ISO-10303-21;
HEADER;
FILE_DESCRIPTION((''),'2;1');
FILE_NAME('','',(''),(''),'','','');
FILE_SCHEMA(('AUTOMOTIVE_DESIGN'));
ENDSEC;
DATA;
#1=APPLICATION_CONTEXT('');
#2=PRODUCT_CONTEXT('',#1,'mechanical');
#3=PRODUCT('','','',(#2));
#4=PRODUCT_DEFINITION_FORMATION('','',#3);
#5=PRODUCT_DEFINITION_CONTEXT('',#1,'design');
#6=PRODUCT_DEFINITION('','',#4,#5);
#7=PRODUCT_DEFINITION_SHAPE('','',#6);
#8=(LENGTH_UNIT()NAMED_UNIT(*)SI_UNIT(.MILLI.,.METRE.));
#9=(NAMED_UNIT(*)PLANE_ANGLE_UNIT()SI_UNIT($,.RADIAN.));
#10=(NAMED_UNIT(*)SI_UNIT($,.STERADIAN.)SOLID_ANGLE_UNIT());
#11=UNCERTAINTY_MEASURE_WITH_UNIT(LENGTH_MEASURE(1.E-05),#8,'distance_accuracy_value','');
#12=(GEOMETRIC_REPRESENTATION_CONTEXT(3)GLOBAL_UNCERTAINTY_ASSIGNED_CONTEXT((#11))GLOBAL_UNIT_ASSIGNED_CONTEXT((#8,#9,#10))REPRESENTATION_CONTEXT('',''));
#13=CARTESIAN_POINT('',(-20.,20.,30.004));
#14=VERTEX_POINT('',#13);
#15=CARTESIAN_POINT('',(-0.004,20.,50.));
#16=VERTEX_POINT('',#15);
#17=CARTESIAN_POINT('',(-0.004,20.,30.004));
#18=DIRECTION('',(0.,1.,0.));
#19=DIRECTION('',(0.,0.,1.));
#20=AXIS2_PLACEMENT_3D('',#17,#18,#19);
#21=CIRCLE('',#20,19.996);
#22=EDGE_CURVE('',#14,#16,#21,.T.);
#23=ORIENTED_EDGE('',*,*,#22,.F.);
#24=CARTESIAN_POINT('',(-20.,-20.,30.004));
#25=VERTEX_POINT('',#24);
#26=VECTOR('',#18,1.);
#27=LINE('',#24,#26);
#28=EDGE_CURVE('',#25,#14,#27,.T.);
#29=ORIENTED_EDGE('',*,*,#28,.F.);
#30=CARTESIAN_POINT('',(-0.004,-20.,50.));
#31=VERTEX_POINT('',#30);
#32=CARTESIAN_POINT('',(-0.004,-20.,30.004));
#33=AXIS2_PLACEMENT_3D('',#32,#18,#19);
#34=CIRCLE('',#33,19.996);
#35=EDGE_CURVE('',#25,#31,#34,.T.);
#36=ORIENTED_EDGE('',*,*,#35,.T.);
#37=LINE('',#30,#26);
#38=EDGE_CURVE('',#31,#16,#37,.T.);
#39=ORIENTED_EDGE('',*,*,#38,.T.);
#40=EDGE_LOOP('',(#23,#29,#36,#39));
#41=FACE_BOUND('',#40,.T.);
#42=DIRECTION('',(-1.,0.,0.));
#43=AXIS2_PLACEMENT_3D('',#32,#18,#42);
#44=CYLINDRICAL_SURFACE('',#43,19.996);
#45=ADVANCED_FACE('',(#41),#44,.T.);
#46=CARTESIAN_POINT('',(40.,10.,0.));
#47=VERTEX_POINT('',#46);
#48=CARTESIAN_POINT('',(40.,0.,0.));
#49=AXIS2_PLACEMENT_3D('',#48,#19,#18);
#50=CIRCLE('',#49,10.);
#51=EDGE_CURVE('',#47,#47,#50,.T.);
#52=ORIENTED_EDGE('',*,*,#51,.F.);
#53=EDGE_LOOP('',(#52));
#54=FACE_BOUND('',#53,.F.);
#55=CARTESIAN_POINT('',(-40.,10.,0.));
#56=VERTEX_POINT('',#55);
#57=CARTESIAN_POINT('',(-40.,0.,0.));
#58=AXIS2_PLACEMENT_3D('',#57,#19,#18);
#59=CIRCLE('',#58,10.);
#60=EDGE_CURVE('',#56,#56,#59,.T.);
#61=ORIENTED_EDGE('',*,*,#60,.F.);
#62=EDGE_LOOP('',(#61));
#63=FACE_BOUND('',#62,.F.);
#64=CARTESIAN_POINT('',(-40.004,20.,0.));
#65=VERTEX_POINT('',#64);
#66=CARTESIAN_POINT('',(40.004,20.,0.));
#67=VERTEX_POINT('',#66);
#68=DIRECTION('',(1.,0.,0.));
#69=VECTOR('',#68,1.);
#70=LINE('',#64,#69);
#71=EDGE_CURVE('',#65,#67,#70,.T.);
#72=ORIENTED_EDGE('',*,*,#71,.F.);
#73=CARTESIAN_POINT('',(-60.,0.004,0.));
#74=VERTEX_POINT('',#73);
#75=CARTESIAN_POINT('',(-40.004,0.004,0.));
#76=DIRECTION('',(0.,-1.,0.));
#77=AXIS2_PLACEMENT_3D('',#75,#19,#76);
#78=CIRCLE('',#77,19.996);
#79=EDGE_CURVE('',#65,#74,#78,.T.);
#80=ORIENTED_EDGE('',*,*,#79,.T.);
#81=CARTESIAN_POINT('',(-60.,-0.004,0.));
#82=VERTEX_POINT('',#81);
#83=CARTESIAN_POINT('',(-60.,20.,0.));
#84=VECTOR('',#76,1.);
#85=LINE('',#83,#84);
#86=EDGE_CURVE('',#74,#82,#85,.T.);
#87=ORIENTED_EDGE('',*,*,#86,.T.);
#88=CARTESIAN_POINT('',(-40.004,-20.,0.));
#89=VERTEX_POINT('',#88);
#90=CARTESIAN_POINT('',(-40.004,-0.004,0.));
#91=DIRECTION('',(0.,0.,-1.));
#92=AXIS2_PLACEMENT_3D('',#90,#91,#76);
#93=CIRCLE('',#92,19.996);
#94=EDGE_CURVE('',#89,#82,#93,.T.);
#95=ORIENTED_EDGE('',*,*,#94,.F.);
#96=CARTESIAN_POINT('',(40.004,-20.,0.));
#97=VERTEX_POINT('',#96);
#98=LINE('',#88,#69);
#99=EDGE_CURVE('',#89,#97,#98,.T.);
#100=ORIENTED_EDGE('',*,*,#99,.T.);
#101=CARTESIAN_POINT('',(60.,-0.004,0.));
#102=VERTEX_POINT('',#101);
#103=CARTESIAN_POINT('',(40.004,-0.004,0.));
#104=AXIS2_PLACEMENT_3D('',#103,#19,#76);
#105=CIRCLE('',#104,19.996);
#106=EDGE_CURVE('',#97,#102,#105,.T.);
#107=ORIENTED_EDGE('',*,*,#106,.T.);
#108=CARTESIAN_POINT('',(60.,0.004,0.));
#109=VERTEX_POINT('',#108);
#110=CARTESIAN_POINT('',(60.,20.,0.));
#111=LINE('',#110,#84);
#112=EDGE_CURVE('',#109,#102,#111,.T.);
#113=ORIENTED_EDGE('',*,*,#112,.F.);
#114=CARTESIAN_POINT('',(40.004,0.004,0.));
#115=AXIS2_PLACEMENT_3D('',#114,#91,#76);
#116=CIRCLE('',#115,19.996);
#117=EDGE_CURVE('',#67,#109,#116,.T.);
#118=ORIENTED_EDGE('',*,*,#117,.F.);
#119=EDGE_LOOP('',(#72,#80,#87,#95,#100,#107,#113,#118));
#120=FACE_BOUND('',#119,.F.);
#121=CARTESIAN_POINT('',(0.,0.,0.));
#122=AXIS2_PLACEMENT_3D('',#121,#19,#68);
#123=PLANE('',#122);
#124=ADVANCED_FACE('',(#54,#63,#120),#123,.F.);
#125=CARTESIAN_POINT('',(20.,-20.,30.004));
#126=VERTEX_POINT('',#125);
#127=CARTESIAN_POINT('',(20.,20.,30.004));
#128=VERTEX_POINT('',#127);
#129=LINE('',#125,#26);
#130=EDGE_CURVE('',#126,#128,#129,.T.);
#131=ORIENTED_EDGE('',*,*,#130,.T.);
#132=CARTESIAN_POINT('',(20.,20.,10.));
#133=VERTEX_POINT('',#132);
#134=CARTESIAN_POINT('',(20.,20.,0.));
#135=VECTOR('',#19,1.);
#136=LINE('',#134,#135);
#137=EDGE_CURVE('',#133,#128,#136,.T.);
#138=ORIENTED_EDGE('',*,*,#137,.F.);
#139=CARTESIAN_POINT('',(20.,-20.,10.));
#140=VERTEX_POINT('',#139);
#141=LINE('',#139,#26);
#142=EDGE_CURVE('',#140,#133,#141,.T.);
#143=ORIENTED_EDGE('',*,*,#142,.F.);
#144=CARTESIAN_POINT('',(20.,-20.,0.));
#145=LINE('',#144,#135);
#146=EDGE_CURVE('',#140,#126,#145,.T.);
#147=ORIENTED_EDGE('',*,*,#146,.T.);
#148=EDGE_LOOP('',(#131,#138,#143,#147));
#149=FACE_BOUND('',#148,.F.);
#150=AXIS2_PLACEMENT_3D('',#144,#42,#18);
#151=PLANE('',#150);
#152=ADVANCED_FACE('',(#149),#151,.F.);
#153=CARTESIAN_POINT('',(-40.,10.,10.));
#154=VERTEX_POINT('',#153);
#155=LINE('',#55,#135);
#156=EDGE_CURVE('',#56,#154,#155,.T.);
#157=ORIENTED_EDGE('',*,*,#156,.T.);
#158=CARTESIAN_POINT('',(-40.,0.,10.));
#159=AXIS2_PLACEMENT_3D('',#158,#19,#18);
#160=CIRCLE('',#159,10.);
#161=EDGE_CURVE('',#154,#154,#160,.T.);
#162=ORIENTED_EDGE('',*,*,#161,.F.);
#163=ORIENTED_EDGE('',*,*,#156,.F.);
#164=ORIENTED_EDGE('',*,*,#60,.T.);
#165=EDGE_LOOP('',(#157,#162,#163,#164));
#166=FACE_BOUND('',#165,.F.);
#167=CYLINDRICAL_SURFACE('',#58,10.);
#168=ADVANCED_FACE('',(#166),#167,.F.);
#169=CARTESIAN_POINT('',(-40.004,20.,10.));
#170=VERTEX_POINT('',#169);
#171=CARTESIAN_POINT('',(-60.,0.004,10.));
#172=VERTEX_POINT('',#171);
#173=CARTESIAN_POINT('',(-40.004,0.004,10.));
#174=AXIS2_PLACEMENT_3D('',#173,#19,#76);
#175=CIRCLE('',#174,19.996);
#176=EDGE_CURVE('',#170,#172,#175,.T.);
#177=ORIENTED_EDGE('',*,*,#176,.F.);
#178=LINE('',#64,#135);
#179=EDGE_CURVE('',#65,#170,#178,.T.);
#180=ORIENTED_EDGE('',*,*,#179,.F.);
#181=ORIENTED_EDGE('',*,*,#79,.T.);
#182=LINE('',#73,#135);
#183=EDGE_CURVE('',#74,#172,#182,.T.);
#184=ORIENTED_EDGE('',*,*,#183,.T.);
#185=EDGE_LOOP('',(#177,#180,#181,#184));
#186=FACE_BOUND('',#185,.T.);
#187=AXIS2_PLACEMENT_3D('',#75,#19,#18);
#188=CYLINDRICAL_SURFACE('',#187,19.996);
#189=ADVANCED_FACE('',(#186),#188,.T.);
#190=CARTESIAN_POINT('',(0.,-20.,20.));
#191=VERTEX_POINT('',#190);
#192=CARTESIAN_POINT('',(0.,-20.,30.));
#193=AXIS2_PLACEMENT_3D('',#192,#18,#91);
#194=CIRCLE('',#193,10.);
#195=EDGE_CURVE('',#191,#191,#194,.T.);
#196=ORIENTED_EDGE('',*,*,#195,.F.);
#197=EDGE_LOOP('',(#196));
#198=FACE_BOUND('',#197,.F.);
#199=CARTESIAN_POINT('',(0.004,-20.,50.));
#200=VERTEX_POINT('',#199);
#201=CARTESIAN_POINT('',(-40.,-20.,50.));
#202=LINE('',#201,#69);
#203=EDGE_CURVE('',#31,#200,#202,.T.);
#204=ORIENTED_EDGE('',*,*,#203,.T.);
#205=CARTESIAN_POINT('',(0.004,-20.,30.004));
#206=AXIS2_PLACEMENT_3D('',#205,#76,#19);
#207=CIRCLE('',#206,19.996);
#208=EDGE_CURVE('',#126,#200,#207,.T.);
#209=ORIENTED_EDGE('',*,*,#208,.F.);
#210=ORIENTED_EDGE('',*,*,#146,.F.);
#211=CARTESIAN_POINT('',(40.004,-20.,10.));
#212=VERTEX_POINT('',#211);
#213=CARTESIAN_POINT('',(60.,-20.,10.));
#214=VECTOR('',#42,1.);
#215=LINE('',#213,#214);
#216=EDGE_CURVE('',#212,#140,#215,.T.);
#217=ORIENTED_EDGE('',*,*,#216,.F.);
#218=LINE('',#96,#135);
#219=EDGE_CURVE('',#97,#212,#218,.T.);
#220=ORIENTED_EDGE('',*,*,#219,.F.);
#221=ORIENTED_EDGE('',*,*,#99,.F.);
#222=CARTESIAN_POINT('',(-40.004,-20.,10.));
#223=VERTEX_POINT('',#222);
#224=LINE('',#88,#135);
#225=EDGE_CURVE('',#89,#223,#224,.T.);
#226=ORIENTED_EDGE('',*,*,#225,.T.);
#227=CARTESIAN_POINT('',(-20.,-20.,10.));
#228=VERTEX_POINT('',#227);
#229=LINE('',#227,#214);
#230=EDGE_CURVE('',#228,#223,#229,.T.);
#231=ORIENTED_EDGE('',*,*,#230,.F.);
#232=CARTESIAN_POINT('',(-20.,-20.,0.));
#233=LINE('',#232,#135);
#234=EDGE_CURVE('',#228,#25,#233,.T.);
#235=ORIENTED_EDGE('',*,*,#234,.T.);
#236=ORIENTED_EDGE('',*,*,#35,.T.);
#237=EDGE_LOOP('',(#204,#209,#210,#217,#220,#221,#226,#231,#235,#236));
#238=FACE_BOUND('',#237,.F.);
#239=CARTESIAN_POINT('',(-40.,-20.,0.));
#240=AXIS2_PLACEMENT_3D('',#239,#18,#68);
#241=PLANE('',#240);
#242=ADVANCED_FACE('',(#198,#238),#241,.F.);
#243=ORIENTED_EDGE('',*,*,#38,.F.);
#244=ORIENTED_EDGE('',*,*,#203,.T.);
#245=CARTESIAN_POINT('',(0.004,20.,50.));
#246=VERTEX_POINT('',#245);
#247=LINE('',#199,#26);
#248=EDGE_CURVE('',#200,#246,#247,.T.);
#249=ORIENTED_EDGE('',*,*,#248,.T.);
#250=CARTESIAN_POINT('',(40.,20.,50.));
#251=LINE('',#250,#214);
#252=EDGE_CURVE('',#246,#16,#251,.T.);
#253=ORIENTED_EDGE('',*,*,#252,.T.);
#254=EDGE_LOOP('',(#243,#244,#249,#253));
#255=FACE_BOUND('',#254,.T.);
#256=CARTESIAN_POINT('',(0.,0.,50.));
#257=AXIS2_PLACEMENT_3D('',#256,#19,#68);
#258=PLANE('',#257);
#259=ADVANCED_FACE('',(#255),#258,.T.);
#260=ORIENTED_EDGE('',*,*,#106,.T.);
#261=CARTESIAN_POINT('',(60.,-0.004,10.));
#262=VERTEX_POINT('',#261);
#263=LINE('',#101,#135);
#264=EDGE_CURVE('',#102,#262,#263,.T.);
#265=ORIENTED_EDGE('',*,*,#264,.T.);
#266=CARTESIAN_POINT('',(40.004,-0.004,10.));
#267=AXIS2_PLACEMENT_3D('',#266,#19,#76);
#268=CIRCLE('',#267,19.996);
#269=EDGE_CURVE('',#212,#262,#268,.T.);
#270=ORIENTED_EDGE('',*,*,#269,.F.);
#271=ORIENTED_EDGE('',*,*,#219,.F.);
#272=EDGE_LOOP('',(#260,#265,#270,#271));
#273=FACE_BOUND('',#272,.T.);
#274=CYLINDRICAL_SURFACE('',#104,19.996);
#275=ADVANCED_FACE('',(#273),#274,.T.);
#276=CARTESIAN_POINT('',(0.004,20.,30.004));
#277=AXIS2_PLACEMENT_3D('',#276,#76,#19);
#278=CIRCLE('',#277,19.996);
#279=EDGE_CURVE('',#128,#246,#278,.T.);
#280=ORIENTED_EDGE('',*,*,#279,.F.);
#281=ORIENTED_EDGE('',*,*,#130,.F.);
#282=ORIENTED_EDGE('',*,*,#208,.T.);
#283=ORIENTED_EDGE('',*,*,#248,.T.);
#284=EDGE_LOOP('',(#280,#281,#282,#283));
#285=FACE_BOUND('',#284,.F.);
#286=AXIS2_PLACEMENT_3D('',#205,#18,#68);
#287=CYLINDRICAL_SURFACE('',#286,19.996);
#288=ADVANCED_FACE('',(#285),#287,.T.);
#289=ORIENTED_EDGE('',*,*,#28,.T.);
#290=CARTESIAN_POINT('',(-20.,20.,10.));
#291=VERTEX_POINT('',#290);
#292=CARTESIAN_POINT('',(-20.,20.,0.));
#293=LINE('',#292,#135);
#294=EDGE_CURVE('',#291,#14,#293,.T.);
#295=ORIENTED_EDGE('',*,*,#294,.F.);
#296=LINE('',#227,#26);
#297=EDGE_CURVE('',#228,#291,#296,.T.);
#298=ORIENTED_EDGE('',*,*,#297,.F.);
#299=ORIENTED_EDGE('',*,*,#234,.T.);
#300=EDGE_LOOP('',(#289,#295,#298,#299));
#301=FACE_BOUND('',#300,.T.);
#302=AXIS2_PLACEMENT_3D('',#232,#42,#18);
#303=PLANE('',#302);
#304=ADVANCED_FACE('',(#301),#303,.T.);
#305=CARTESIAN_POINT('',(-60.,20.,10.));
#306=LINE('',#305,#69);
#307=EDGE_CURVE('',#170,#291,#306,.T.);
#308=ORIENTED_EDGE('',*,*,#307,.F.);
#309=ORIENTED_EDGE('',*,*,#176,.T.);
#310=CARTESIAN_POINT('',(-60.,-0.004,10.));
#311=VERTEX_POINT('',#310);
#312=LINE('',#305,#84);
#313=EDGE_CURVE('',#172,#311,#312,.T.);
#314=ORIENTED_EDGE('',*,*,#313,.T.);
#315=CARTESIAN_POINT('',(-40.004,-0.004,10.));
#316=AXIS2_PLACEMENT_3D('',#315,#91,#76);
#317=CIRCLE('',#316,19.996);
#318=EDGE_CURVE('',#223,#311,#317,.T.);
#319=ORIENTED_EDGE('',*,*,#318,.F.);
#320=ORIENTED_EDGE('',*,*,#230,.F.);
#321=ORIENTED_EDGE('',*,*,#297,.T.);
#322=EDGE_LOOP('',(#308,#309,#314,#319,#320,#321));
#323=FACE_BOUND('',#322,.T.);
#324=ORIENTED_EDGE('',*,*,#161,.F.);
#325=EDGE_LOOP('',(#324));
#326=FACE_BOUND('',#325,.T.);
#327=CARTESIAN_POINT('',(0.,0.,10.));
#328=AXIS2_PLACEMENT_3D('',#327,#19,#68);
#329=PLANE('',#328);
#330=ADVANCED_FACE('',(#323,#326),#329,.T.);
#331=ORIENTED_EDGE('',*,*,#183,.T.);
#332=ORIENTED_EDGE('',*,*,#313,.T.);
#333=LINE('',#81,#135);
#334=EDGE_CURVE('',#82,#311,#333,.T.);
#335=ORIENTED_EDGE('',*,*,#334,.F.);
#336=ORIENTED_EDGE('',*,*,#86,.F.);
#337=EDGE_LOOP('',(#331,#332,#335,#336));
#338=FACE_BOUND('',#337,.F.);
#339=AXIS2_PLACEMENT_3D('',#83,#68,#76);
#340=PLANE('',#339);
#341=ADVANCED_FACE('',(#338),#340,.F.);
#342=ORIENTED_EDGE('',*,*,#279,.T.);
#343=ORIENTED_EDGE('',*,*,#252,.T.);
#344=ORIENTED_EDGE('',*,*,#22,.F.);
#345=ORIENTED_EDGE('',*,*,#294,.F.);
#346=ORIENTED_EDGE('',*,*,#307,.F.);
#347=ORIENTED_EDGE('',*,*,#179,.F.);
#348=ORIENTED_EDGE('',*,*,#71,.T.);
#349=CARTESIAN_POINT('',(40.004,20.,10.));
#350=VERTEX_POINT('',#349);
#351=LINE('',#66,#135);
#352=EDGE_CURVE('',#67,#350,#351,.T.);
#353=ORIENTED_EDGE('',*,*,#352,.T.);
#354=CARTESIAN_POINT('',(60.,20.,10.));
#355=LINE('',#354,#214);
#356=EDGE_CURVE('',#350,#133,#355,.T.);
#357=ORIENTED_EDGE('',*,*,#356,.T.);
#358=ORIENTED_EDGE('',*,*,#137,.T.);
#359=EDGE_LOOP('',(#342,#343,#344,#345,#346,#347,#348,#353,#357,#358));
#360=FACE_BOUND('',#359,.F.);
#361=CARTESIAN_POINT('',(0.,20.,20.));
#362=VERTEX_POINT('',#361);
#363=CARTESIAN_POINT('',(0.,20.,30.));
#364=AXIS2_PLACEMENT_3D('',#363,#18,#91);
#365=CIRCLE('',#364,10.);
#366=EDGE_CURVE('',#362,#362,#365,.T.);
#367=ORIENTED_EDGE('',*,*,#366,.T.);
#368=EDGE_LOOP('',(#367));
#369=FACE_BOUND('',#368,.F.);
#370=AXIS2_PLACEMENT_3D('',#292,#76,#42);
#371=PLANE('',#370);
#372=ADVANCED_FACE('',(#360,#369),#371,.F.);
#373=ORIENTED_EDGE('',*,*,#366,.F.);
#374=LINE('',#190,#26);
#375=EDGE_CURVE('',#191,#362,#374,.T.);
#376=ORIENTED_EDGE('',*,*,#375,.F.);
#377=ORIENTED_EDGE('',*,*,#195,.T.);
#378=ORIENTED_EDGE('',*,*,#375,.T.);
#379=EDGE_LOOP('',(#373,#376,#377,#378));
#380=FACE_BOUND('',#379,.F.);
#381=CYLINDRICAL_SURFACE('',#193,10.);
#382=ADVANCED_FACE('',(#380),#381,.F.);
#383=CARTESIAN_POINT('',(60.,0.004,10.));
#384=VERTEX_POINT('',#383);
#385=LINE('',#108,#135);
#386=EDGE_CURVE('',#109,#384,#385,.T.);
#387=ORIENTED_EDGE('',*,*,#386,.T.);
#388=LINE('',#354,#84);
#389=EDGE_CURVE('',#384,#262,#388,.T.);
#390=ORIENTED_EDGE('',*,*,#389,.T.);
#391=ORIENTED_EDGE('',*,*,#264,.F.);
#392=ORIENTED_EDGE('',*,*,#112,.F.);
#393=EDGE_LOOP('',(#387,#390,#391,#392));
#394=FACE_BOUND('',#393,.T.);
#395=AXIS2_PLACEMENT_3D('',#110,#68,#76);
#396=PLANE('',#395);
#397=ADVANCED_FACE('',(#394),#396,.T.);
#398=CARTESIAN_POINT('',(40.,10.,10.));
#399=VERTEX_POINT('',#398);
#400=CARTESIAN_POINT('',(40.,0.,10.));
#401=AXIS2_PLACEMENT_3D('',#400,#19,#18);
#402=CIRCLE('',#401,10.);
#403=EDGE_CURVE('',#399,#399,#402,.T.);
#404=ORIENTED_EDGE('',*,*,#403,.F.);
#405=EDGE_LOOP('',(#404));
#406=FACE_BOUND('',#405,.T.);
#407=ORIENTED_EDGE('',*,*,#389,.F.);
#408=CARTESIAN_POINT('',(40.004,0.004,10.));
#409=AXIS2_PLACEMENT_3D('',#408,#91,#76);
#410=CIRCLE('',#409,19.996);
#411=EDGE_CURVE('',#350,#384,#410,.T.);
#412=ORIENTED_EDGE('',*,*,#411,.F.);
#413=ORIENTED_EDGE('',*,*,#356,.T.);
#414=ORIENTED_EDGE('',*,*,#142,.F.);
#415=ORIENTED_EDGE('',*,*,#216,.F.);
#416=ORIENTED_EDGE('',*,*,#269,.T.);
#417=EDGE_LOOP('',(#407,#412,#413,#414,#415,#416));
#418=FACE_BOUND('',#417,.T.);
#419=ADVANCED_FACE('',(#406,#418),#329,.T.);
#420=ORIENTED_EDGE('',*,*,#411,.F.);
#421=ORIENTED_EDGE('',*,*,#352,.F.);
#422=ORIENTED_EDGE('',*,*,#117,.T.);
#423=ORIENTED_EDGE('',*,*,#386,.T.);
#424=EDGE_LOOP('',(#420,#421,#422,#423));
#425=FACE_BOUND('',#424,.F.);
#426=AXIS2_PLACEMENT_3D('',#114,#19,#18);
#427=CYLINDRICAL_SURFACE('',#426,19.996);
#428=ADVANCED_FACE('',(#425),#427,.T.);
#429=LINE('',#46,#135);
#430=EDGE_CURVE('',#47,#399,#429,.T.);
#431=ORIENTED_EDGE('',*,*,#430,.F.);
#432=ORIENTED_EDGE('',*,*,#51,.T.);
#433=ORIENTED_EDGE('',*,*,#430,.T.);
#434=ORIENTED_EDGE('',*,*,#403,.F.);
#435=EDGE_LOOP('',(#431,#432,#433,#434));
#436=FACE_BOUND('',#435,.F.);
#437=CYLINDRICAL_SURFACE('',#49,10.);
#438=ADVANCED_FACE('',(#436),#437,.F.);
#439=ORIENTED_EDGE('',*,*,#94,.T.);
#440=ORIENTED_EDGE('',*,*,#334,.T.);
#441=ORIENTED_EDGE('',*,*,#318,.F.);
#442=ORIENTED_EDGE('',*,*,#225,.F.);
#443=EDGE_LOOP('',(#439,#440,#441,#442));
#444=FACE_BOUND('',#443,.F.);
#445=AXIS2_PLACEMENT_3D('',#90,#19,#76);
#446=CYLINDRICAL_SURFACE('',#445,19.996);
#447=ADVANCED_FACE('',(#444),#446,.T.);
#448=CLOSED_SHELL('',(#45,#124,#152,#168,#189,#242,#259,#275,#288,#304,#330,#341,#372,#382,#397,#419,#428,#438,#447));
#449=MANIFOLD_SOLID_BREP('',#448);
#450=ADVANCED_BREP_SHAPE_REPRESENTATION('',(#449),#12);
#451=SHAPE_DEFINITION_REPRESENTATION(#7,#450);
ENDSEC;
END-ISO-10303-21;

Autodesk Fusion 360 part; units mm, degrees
sketch "Sketch1" plane through (0, 0, 0) normal (0, 0, 1) x (1, 0, 0)
  line L0 (40, 20) -> (-40, 20)
  line L1 (-40, 20) -> (-40, -20)
  line L2 (-40, -20) -> (40, -20)
  line L3 (40, -20) -> (40, 20)
  line L4 (40, 20) -> (-40, -20) construction
  line L5 (-40, 20) -> (40, -20) construction
  line L6 (-40, -20) -> (-20, -20) construction
  line L7 (-40, -20) -> (-20, -20) construction
  line L8 (40, -20) -> (20, -20) construction
  line L9 (-20, -20) -> (-20, 20)
  line L10 (20, -20) -> (20, 20)
  line L11 (-40, -20) -> (-60, -20)
  line L12 (-40, 20) -> (-60, 20)
  line L13 (-60, 20) -> (-60, -20)
  line L14 (40, 20) -> (60, 20)
  line L15 (60, 20) -> (60, -20)
  line L16 (60, -20) -> (40, -20)
  line L17 (-40, 0) -> (-40, 20) construction
  line L18 (40, 20) -> (40, 0) construction
  dimension "d1" = 80
  dimension "d2" = 40
  dimension "d3" = 20
  dimension "d4" = 20
  dimension "d5" = 20
extrude "Extrude2" add sketch "Sketch1" along normal blind 50 contours L0 L2 L9 L10 makes body 1
extrude "Extrude1" add sketch "Sketch1" along normal blind 10 separate body contours L0 L2 L3 L10 | L3 L14 L15 L16 | L0 L1 L2 L9 | L1 L11 L12 L13 makes body 2 at (-33.3333, -6.6667, 0) makes body 3 at (46.6667, -6.6667, 0)
fillet "Fillet1" radius 20 4 edges at (-60, -20, 5) (-60, 20, 5) (60, -20, 5) (60, 20, 5) on bodies 2 3
hole "Hole1" at (-40, 0, 0) direction (0, 0, 1) diameter 20 depth 10 tip angle 118 bodies 2
hole "Hole2" at (40, 0, 0) direction (0, 0, 1) diameter 20 depth 10 tip angle 118 bodies 3
fillet "Fillet2" radius 20 2 edges at (-20, 0, 50) (20, 0, 50) on bodies 1
sketch "Sketch2" plane through (0, -20, 0) normal (0, -1, 0) x (1, 0, 0)
  arc A0 (20, 30) -> (-20, 30) centre (0, 30) ccw
  line L0 (-20, 30) -> (-20, 0)
  line L1 (-20, 0) -> (20, 0)
  line L2 (20, 0) -> (20, 30)
  line L3 (-20, 30) -> (20, 30) construction
hole "Hole3" at (0, -20, 30) direction (0, 1, 0) diameter 20 depth 40 tip angle 118 bodies 1
combine "Combine1" operation add target body 2 tool bodies 3 1
